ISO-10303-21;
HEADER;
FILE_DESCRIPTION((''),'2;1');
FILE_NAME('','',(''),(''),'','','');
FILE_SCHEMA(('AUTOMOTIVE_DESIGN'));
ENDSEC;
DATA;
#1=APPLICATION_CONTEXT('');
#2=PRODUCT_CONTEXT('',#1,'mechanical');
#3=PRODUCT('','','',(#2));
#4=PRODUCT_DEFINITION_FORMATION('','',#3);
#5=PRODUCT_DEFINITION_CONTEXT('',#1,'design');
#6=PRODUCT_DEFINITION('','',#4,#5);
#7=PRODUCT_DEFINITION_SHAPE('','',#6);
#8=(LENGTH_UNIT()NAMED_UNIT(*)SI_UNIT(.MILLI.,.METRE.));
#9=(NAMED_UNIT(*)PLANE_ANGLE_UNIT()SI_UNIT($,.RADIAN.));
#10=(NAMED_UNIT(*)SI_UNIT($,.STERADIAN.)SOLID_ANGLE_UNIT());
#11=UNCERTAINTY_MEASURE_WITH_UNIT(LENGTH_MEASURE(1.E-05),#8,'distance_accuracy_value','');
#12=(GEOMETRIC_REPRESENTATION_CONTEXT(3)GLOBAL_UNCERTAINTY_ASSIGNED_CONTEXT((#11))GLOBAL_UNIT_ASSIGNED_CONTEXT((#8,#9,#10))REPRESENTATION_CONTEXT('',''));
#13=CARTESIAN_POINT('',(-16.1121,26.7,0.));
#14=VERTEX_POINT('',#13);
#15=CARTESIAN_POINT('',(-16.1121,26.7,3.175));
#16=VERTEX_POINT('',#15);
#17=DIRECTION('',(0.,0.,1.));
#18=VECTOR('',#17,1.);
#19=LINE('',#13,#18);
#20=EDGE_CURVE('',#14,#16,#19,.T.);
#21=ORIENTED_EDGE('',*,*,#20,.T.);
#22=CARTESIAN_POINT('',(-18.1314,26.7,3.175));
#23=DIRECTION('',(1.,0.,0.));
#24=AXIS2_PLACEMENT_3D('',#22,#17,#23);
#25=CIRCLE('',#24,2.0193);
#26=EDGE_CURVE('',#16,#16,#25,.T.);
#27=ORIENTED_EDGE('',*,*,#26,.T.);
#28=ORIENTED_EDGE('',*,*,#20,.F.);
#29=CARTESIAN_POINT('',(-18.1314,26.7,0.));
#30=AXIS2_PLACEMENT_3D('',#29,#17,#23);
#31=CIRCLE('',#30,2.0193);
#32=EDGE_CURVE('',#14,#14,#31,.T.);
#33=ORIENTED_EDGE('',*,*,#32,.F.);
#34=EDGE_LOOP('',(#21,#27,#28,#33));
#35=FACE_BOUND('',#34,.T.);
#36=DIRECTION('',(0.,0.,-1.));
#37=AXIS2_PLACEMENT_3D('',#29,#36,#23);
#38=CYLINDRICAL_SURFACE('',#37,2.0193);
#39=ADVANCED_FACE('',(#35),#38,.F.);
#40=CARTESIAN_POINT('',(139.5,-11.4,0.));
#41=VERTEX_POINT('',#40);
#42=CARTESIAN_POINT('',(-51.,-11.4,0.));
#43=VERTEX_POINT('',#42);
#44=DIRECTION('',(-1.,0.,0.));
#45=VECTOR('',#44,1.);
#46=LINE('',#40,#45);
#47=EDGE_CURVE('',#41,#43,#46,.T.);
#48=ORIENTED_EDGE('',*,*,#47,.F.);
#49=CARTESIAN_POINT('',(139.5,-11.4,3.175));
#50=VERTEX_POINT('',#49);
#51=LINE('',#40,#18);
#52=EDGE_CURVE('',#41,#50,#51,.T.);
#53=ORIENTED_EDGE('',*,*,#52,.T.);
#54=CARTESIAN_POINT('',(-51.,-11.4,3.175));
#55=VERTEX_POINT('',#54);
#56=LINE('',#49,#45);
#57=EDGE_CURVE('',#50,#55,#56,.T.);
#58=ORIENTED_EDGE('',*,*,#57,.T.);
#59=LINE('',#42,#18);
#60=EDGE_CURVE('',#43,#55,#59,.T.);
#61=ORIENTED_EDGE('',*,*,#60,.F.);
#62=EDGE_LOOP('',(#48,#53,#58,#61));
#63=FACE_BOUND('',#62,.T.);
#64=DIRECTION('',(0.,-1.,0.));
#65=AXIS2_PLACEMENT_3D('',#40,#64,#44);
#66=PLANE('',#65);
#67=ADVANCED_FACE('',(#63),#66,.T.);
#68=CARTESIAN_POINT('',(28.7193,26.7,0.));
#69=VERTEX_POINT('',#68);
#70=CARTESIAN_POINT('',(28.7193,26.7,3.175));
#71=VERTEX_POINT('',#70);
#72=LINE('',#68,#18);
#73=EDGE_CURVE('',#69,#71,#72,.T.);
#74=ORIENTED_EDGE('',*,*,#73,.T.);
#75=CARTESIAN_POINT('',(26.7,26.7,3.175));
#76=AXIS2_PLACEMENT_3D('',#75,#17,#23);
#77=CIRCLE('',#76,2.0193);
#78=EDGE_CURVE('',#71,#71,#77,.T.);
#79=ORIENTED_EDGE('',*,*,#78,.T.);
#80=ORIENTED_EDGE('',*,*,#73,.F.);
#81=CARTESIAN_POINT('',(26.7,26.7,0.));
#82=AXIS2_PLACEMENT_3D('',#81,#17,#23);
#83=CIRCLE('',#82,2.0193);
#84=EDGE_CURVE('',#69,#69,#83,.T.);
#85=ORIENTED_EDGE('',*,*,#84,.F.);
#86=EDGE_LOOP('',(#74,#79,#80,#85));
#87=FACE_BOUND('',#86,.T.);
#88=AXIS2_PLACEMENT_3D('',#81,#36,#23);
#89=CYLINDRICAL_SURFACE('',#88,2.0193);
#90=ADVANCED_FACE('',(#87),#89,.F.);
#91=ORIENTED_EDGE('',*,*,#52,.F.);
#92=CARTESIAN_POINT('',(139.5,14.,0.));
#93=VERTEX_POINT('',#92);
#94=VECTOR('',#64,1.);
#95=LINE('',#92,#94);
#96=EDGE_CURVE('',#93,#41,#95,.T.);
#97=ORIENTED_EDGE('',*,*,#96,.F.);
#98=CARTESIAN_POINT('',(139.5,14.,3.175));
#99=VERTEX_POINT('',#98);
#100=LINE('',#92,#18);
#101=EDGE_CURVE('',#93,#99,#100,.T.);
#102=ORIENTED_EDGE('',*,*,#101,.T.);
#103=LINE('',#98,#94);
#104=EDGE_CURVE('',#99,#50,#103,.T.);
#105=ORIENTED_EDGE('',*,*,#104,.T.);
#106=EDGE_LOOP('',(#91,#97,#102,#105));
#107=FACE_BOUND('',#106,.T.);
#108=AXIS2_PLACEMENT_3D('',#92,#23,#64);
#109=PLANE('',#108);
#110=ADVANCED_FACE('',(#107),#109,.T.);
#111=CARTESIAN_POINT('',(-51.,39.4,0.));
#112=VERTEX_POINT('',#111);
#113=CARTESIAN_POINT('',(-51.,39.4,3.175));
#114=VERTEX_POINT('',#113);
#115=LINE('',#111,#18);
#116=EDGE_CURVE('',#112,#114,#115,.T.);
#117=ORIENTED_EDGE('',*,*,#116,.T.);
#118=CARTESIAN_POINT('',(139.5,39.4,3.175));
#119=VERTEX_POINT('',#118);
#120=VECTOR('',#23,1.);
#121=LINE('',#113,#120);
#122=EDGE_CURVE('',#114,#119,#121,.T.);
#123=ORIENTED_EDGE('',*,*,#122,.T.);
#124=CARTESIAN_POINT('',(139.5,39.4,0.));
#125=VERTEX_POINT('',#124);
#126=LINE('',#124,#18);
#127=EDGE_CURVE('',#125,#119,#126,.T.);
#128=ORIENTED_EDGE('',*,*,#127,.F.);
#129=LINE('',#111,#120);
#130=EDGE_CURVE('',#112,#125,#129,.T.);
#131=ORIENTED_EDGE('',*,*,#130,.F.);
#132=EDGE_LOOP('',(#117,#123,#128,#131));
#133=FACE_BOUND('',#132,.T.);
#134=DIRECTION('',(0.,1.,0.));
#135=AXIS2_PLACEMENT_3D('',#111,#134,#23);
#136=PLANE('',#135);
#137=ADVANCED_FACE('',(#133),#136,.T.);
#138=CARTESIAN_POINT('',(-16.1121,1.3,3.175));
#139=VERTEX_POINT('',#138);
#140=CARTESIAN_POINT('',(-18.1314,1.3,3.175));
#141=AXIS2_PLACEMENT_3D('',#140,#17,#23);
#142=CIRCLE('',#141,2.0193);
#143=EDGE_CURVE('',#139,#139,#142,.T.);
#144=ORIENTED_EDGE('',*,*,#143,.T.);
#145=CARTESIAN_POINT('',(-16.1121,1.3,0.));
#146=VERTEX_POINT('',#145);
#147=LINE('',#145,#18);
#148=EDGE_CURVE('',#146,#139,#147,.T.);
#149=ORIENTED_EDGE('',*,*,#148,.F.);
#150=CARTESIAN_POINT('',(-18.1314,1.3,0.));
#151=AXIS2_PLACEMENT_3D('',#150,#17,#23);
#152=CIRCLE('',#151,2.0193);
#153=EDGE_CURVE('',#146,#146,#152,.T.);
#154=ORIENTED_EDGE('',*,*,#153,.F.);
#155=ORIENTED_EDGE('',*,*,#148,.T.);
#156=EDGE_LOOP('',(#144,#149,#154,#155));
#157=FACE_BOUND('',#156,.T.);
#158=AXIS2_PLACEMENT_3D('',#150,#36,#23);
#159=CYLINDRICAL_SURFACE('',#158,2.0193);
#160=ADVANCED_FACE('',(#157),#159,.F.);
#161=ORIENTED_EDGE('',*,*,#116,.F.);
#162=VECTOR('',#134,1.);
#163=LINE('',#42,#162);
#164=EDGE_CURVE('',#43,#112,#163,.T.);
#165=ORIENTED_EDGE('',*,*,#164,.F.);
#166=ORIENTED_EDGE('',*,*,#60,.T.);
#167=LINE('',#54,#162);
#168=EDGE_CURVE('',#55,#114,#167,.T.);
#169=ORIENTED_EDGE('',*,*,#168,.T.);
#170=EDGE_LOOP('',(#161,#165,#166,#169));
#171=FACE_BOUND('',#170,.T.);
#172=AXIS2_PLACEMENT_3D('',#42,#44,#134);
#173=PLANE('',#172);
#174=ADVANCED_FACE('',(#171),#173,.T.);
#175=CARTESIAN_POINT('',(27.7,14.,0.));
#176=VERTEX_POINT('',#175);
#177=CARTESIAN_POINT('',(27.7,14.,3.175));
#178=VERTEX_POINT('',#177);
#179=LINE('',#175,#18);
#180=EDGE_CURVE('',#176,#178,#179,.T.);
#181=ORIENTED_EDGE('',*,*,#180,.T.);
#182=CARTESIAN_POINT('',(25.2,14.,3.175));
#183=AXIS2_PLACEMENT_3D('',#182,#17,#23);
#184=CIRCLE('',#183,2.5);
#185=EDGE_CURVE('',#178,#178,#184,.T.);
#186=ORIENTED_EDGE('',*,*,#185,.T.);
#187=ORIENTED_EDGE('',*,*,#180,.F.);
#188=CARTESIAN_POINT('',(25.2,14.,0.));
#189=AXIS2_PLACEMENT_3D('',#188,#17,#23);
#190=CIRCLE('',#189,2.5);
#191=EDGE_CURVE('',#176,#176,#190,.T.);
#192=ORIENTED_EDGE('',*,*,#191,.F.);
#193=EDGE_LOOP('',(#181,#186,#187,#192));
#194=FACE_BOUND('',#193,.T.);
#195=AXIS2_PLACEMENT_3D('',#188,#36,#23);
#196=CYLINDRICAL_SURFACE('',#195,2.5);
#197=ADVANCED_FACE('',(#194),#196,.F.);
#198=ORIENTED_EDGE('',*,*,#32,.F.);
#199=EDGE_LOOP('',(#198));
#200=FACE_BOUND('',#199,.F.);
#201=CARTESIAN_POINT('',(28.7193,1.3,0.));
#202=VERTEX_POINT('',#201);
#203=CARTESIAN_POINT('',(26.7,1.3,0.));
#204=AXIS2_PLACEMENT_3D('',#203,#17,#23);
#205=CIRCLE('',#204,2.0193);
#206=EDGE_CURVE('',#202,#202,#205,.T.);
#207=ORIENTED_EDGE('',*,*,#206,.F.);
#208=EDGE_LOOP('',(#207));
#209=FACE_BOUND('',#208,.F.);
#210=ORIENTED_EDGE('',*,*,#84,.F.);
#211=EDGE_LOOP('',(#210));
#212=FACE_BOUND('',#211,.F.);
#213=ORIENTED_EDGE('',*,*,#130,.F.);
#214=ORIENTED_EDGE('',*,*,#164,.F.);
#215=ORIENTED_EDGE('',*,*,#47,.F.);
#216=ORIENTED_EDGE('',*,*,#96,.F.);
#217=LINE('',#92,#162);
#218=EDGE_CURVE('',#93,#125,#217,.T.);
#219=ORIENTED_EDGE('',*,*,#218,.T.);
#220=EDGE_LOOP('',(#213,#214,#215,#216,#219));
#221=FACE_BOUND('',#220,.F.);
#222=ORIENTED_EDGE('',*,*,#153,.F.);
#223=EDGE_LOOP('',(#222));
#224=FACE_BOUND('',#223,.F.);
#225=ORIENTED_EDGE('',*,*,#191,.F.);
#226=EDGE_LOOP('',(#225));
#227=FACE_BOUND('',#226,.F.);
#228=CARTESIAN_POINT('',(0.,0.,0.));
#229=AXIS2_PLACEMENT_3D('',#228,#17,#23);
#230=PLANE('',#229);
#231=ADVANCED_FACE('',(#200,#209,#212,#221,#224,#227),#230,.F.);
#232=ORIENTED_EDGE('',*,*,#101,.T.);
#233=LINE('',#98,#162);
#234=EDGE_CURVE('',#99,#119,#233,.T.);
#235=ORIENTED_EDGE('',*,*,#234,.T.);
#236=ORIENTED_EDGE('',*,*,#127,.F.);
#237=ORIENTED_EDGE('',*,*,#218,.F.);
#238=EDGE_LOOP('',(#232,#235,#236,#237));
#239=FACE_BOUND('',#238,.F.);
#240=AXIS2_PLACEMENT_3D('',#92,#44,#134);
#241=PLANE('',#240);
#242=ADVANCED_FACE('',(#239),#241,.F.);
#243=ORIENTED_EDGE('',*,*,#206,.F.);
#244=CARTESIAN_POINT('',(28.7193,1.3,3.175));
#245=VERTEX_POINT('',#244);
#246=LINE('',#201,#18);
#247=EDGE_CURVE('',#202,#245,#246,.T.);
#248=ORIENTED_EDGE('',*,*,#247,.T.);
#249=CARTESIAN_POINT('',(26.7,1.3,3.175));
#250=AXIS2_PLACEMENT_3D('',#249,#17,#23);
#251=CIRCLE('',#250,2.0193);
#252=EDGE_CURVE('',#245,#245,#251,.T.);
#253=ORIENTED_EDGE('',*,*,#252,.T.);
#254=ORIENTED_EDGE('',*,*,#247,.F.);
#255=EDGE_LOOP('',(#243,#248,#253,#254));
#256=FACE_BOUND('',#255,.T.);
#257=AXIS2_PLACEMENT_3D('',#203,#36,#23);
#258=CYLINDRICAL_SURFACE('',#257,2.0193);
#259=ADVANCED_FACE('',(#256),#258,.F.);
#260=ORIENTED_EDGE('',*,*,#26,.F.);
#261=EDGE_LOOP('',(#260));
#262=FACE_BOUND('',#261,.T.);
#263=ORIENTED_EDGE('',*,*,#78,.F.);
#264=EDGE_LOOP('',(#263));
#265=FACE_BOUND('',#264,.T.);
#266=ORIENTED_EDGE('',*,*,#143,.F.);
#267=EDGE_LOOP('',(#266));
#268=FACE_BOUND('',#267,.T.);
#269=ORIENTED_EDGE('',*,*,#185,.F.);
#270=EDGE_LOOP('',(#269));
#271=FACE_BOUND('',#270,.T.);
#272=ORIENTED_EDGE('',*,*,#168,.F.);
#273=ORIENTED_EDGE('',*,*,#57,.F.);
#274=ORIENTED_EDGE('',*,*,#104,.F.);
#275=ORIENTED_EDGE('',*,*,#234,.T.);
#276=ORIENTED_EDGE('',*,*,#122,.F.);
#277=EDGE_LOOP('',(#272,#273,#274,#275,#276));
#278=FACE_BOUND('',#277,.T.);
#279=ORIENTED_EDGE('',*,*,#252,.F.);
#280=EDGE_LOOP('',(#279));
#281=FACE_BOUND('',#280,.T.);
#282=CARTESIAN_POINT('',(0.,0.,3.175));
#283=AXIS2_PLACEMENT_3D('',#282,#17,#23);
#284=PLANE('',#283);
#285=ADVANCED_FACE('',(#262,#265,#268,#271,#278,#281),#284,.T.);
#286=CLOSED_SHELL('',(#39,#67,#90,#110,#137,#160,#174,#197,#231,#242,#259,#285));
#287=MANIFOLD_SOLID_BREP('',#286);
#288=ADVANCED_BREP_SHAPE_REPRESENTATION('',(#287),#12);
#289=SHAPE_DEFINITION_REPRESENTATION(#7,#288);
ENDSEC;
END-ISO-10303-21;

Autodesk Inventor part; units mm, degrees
ref_plane "YZ Plane" through (0, 0, 0) normal (1, 0, 0) x (0, 1, 0)
ref_plane "XZ Plane" through (0, 0, 0) normal (0, 1, 0) x (-1, 0, 0)
ref_plane "XY Plane" through (0, 0, 0) normal (0, 0, 1) x (1, 0, 0)
sketch "Sketch1" plane through (0, 0, 0) normal (0, 0, 1) x (1, 0, 0)
  circle A0 centre (26.7, 1.3) radius 2.0193
  circle A1 centre (25.2, 14) radius 2.5
  circle A2 centre (26.7, 26.7) radius 2.0193
  circle A3 centre (-18.1314, 26.7) radius 2.0193
  circle A4 centre (-18.1314, 1.3) radius 2.0193
  line L0 (25.2, 14) -> (139.5, 14) construction
  line L1 (139.5, 14) -> (139.5, 39.4)
  line L2 (139.5, 14) -> (139.5, -11.4)
  line L3 (139.5, -11.4) -> (-51, -11.4)
  line L4 (-51, -11.4) -> (-51, 39.4)
  line L5 (-51, 39.4) -> (139.5, 39.4)
  point P0 (0, 0)
  dimension "d0" = 114.3
  dimension "d1" = 25.4
  dimension "d2" = 25.4
  dimension "d3" = 190.5
  dimension "d6" = 44.8314
extrude "Extrusion1" add sketch "Sketch1" along normal blind 3.175
properties part number "VersaPlate"
